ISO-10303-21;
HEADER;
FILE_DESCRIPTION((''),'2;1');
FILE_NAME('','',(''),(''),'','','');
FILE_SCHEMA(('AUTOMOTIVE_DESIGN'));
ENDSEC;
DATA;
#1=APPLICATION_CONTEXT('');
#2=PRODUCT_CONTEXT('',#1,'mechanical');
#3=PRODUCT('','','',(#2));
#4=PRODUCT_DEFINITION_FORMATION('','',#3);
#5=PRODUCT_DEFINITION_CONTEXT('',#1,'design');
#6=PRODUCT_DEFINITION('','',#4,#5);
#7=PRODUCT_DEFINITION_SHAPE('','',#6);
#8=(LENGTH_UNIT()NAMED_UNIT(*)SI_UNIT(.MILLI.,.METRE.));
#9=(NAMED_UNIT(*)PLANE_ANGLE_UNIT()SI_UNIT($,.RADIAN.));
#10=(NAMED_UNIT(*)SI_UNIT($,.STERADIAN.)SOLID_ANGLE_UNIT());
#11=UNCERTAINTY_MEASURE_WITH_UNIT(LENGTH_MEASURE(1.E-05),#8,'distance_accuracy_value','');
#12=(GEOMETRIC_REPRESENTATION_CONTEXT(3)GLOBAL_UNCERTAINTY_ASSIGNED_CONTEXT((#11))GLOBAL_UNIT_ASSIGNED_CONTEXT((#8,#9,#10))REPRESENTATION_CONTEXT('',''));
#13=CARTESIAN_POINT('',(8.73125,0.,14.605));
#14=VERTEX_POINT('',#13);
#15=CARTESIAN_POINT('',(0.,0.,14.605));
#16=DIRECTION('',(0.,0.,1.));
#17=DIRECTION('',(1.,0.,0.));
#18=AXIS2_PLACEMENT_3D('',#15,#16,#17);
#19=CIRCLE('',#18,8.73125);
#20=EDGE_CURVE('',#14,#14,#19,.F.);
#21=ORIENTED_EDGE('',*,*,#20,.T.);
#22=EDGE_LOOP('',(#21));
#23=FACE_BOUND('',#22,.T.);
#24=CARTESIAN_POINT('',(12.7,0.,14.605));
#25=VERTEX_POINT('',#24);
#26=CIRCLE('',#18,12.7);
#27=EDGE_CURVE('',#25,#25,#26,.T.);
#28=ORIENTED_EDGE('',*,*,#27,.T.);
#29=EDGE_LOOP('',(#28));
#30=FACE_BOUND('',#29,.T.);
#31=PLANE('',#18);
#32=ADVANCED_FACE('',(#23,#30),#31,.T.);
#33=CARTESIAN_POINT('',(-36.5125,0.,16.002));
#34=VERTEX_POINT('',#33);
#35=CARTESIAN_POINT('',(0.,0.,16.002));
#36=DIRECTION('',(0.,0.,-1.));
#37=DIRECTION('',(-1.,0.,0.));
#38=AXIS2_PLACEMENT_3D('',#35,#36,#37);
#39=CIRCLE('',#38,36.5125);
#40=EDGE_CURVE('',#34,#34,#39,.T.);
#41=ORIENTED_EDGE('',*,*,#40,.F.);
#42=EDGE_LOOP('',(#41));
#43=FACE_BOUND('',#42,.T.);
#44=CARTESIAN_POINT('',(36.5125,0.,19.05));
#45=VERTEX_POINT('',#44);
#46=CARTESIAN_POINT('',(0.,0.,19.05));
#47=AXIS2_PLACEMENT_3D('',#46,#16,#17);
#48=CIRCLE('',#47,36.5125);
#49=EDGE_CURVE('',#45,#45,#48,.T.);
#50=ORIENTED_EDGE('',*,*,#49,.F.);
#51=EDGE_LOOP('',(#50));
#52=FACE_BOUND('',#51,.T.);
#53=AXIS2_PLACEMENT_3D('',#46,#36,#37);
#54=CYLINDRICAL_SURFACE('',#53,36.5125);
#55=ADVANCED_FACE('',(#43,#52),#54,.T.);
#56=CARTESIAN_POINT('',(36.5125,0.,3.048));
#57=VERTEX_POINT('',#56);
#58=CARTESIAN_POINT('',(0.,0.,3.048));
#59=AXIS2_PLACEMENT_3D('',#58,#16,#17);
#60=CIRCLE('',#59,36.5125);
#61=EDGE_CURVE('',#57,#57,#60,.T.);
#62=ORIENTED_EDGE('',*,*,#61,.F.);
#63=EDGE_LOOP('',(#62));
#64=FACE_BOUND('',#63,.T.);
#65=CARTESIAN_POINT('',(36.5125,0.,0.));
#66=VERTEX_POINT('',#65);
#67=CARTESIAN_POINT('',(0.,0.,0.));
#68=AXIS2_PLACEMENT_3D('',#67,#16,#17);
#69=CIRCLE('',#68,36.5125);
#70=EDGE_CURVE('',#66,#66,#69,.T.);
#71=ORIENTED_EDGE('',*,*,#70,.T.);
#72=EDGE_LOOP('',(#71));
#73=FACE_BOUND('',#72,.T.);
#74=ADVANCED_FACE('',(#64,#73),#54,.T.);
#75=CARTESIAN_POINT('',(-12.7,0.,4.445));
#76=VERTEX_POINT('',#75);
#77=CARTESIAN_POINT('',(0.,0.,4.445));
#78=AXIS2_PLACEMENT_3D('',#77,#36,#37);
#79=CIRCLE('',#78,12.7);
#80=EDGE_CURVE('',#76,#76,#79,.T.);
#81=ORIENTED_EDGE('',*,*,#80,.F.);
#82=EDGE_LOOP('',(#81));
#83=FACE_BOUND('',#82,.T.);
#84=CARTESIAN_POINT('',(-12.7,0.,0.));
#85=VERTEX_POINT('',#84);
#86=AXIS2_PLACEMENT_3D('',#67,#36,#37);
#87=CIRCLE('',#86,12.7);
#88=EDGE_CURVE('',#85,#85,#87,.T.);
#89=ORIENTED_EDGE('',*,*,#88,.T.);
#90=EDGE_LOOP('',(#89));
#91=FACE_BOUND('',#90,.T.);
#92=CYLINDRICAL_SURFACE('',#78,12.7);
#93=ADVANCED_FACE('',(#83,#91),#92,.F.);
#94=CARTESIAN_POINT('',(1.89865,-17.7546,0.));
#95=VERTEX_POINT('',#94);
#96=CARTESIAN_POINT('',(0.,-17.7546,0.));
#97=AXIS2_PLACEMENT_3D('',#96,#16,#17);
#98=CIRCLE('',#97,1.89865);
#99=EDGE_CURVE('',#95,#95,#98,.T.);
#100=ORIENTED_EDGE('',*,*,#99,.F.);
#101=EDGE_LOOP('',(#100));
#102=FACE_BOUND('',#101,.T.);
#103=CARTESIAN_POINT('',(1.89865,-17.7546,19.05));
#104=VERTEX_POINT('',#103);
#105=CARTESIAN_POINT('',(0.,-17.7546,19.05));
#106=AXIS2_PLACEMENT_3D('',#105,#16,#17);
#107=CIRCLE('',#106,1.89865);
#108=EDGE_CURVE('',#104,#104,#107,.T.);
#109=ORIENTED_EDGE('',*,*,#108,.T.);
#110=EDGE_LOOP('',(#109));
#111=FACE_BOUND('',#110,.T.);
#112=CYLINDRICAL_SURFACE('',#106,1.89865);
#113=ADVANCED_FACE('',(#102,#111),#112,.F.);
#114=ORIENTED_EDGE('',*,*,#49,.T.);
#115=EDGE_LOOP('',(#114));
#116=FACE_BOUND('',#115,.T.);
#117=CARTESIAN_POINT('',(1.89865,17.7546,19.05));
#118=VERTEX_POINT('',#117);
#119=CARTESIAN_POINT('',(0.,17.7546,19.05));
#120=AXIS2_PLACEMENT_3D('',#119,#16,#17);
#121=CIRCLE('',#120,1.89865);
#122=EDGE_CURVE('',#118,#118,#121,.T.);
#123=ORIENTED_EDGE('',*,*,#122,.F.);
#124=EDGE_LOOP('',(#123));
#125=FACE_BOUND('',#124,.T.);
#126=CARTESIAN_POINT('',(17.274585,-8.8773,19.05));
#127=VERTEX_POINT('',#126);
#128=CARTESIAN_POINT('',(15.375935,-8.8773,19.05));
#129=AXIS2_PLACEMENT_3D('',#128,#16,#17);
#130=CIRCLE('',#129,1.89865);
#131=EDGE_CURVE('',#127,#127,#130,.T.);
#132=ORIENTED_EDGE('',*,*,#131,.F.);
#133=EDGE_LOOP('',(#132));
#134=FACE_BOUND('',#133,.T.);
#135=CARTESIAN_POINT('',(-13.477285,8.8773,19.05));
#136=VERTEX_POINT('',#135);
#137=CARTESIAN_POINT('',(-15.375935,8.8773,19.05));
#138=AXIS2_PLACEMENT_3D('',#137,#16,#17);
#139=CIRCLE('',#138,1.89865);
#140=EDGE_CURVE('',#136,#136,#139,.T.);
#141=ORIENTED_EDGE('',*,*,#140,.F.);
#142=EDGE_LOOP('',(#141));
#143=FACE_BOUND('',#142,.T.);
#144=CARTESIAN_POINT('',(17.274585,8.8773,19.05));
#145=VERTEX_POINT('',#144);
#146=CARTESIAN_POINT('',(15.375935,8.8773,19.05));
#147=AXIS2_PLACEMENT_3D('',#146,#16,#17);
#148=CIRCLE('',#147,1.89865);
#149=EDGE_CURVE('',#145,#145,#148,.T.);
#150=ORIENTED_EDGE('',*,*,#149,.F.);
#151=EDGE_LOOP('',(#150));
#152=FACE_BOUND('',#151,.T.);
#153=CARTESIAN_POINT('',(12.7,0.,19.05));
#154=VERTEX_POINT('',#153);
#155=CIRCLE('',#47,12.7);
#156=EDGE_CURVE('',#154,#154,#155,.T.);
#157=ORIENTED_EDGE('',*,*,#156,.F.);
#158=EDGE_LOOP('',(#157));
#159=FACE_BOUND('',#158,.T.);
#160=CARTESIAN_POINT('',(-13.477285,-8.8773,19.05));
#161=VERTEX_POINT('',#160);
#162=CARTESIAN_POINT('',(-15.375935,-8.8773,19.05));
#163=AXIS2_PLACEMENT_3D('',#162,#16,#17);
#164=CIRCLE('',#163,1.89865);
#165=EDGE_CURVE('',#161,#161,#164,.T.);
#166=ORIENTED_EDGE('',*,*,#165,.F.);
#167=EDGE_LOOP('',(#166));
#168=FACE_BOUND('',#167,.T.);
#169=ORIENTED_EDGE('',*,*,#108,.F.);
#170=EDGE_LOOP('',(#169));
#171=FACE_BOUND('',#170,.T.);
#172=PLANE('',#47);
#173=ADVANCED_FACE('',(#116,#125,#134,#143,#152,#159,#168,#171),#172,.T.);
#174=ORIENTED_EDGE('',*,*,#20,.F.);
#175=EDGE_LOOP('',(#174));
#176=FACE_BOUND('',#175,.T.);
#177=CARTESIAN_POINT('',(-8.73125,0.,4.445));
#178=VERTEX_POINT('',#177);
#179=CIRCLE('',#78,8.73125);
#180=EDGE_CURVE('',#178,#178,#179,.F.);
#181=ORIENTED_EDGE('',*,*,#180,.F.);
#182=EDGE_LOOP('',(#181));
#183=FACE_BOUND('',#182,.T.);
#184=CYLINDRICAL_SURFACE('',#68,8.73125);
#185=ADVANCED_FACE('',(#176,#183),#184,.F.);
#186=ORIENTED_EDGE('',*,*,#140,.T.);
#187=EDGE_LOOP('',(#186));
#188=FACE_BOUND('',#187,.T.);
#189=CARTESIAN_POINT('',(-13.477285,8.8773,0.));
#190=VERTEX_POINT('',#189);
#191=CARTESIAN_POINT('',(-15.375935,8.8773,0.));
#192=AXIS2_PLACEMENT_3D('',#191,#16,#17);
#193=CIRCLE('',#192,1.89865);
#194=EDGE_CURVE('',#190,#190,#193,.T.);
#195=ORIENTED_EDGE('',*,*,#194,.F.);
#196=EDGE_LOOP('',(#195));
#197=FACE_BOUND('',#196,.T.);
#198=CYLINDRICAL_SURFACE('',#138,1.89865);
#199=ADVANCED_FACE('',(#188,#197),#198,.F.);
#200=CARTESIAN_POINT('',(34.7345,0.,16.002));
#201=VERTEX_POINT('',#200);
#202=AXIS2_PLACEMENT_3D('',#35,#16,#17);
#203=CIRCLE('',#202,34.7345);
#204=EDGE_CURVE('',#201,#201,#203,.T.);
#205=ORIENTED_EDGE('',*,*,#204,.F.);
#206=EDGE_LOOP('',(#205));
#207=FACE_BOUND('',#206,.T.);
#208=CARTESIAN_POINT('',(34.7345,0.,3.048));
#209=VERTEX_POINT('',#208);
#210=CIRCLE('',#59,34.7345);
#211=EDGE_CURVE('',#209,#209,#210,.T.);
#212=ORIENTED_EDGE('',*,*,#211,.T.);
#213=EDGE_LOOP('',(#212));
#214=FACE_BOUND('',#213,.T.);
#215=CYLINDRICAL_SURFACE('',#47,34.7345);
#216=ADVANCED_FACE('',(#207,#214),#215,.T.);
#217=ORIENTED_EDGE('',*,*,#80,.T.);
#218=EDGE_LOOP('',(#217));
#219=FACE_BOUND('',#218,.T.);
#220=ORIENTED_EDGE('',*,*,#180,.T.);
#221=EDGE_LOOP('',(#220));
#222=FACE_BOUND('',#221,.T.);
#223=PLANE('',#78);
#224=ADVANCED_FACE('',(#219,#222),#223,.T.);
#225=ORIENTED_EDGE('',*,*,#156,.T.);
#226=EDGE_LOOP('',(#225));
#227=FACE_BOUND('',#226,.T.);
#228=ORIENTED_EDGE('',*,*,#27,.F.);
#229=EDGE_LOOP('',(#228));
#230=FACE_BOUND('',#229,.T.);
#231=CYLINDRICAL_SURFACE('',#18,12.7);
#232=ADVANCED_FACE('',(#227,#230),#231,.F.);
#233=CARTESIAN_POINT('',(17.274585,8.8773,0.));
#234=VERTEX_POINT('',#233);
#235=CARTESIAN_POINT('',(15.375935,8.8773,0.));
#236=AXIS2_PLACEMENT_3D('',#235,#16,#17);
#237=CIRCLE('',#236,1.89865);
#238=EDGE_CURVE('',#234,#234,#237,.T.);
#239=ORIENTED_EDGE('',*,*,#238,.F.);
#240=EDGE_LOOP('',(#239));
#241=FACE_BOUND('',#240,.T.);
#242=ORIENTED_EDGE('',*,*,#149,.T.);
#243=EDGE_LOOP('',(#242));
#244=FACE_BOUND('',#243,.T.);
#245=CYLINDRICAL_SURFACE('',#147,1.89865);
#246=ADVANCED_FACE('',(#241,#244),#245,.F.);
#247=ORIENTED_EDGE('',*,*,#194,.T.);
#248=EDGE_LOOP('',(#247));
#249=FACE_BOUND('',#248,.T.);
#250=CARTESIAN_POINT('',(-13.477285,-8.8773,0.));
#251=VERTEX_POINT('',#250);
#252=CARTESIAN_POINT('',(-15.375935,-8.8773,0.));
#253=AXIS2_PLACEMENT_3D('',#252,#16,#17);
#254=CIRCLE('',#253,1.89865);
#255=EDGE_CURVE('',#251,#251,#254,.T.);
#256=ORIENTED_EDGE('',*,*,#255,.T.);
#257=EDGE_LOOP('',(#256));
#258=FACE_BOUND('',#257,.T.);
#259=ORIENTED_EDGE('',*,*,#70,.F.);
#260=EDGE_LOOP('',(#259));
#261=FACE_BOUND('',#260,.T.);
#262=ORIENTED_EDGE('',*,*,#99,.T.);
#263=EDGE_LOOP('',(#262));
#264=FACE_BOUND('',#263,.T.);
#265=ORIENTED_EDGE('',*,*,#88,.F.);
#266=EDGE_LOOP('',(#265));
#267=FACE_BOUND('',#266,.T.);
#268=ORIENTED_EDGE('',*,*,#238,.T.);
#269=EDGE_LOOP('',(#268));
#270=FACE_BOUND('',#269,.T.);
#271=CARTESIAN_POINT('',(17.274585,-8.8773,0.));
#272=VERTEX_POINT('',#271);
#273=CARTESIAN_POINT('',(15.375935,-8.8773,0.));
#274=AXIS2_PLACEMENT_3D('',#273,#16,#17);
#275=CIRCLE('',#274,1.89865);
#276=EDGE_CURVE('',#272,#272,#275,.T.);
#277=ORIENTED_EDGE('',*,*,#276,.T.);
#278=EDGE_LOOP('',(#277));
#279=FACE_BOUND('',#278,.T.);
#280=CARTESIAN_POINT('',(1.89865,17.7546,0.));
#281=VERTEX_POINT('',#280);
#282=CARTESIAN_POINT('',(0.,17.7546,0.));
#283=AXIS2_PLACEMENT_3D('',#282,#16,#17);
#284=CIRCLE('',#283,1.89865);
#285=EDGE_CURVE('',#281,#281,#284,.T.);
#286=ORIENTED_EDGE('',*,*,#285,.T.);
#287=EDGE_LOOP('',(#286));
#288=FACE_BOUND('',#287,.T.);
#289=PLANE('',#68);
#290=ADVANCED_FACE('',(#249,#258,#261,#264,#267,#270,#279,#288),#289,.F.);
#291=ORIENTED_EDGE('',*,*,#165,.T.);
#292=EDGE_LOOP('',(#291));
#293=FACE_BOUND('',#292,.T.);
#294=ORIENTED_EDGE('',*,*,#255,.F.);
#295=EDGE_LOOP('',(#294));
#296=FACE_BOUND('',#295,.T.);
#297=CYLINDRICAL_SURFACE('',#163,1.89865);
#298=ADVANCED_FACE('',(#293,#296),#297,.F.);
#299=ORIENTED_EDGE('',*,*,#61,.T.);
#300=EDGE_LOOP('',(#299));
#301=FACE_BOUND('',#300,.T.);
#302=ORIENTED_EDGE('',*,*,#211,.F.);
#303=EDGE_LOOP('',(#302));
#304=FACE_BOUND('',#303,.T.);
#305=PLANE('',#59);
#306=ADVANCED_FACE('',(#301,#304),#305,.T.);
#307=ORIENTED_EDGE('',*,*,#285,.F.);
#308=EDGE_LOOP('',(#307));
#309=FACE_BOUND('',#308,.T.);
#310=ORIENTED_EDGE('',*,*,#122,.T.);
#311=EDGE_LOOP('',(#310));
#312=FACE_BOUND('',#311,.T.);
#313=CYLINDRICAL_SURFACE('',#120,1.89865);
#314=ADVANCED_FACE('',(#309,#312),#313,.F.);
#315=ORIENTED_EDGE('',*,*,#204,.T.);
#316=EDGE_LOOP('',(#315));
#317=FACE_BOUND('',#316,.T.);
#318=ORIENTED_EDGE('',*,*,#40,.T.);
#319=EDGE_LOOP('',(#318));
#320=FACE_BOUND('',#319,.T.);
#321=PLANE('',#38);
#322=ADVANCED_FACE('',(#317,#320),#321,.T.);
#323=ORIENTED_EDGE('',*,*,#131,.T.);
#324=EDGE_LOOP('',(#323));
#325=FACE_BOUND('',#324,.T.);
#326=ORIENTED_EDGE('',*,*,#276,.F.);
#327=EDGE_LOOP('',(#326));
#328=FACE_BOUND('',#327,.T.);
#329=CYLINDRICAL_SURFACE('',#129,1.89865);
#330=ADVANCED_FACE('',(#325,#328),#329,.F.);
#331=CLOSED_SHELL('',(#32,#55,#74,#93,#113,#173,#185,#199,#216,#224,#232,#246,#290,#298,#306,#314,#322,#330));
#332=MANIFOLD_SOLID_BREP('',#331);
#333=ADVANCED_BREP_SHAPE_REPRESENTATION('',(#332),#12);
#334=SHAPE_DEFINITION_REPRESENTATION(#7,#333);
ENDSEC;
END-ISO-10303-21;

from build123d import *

# Parameters (mm, degrees)
SKETCH1_R             = 36.5125
BOSS_EXTRUDE1_DEPTH   = 19.05
SKETCH2_R             = 8.73125
CUT_EXTRUDE1_DEPTH    = 20.05
SKETCH3_R             = 12.7
CUT_EXTRUDE2_DEPTH    = 4.445
SKETCH4_R             = 12.7
CUT_EXTRUDE3_DEPTH    = 4.445
F_6_CLEARANCE_HOLE1_D = 3.7973


with BuildPart() as part:
    # Sketch1 → Boss-Extrude1 (new body)
    with BuildSketch(Plane.XY):
        Circle(SKETCH1_R)
    extrude(amount=BOSS_EXTRUDE1_DEPTH)

    # Sketch2 → Cut-Extrude1 (cut, through all)
    with BuildSketch(Plane.XY.offset(19.05)):
        Circle(SKETCH2_R)
    extrude(amount=-CUT_EXTRUDE1_DEPTH, mode=Mode.SUBTRACT)

    # Sketch3 → Cut-Extrude2 (cut)
    with BuildSketch(Plane.XY.offset(19.05)):
        Circle(SKETCH3_R)
    extrude(amount=-CUT_EXTRUDE2_DEPTH, mode=Mode.SUBTRACT)

    # Sketch4 → Cut-Extrude3 (cut)
    with BuildSketch(Plane(origin=(0, 0, 0), x_dir=(-1, 0, 0), z_dir=(0, 0, -1))):
        Circle(SKETCH4_R)
    extrude(amount=-CUT_EXTRUDE3_DEPTH, mode=Mode.SUBTRACT)

    # #6 Clearance Hole1 (through all)
    with Locations(Plane(origin=(-8.170302988, -47.003517203, 19.05), x_dir=(1, 0, 0), z_dir=(0, 0, 1))):
        with Locations((8.170302988, 64.758117203), (-7.205631646, 55.880817203), (-7.205631646, 38.126217203), (8.170302988, 29.248917203), (23.546237622, 38.126217203), (23.546237622, 55.880817203)):
            Hole(F_6_CLEARANCE_HOLE1_D / 2)

    # Sketch10 → Cut-Revolve1 (revolve, cut)
    with BuildSketch(Plane(origin=(0, 0, 0), x_dir=(0, 0, -1), z_dir=(1, 0, 0))):
        Polygon((-16.002, 36.5125), (-16.002, 34.7345), (-3.048, 34.7345), (-3.048, 36.5125), (-3.048, 51.152208686), (-16.002, 51.152208686), align=None)
    revolve(axis=Axis((0, 0, 19.05), (0, 0, -1)), mode=Mode.SUBTRACT)


solid = part.part
